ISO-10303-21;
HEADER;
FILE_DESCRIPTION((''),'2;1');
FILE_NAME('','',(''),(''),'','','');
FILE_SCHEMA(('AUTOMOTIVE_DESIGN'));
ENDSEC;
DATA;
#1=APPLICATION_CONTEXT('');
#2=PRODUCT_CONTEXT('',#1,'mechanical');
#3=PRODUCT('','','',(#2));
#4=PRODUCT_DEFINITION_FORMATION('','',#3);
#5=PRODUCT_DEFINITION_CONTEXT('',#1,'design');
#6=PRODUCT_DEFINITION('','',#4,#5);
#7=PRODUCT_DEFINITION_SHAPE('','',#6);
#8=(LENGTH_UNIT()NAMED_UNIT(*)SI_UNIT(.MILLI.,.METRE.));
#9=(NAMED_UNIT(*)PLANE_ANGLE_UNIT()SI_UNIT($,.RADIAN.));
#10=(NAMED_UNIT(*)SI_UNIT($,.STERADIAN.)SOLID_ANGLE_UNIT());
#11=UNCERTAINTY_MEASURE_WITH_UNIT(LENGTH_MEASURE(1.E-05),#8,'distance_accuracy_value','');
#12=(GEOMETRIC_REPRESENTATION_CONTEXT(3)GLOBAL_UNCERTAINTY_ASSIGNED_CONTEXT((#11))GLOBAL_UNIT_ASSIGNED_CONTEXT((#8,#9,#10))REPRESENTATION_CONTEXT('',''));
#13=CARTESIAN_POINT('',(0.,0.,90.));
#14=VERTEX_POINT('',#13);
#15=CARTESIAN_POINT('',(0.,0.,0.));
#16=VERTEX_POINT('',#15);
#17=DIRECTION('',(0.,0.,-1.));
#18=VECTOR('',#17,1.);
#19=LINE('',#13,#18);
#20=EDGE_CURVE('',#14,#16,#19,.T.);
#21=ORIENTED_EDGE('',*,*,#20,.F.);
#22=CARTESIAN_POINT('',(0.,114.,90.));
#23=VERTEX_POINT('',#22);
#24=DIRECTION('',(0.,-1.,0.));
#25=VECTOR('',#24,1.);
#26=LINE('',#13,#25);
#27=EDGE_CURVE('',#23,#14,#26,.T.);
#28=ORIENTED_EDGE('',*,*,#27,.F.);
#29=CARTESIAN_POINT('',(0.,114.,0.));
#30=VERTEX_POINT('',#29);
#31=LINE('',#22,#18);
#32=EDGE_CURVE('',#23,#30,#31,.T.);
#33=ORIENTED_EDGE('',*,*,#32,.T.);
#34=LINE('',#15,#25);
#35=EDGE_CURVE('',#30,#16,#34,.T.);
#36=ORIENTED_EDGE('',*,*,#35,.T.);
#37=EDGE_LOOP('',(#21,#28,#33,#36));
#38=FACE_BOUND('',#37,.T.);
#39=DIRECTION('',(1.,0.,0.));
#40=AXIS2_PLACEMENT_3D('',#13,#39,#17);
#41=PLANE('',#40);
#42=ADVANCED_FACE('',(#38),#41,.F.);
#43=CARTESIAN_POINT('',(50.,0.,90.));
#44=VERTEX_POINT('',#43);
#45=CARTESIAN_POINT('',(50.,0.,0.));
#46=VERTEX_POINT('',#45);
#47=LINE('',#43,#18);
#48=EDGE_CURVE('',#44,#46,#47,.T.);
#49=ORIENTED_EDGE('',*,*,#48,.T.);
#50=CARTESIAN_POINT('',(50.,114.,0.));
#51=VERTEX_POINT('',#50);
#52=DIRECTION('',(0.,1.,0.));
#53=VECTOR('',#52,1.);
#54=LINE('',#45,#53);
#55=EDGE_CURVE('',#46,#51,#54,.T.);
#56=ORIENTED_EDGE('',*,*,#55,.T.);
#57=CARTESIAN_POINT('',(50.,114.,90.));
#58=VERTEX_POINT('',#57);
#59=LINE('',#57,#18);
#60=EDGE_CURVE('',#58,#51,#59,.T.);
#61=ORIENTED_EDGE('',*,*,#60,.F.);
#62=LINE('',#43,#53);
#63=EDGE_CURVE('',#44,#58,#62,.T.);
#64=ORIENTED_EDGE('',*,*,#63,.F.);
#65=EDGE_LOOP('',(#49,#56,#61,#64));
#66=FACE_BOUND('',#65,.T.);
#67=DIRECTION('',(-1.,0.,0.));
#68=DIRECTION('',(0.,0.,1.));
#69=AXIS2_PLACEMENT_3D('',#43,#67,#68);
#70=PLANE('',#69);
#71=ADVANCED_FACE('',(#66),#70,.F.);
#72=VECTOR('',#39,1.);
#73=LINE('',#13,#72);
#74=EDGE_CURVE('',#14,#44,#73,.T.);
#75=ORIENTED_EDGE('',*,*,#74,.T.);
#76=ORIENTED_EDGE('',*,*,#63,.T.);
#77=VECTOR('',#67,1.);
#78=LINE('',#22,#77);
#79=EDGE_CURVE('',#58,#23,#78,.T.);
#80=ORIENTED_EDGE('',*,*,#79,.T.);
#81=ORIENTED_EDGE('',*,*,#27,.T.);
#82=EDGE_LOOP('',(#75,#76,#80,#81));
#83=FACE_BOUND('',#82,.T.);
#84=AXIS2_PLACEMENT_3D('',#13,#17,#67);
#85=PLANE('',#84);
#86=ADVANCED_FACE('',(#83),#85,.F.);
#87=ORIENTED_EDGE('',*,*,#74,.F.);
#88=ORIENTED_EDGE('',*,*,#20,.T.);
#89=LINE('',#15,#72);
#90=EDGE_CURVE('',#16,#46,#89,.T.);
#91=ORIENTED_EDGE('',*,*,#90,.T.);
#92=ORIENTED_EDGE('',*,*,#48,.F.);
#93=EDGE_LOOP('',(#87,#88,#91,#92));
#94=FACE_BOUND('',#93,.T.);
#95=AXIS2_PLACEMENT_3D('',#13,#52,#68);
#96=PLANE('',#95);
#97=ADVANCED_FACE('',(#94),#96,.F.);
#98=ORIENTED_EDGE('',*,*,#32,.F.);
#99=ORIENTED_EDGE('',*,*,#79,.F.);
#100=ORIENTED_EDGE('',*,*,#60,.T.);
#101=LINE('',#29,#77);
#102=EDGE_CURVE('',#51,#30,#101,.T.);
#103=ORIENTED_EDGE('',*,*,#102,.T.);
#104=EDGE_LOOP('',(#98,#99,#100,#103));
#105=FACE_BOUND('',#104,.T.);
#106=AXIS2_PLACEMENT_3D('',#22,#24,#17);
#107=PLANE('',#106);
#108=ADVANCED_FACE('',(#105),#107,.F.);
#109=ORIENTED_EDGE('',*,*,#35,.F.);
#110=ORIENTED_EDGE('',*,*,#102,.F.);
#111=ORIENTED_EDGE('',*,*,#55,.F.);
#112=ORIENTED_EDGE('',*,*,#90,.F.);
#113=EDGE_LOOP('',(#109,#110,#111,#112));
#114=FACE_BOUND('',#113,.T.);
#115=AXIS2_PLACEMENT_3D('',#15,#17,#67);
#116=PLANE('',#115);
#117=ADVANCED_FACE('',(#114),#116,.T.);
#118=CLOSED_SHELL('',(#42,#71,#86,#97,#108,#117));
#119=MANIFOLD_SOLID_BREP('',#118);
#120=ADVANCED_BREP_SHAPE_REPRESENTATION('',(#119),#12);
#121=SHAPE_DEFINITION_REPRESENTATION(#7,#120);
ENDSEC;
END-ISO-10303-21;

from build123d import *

# Parameters (mm, degrees)
ESBO_O1_W                = 50
ESBO_O1_H                = 114
RESSALTO_EXTRUS_O1_DEPTH = 90


with BuildPart() as part:
    # Esboço1 → Ressalto-extrusão1 (new body)
    with BuildSketch(Plane.XY):
        with Locations((25, 57)):
            Rectangle(ESBO_O1_W, ESBO_O1_H)
    extrude(amount=RESSALTO_EXTRUS_O1_DEPTH)


solid = part.part
